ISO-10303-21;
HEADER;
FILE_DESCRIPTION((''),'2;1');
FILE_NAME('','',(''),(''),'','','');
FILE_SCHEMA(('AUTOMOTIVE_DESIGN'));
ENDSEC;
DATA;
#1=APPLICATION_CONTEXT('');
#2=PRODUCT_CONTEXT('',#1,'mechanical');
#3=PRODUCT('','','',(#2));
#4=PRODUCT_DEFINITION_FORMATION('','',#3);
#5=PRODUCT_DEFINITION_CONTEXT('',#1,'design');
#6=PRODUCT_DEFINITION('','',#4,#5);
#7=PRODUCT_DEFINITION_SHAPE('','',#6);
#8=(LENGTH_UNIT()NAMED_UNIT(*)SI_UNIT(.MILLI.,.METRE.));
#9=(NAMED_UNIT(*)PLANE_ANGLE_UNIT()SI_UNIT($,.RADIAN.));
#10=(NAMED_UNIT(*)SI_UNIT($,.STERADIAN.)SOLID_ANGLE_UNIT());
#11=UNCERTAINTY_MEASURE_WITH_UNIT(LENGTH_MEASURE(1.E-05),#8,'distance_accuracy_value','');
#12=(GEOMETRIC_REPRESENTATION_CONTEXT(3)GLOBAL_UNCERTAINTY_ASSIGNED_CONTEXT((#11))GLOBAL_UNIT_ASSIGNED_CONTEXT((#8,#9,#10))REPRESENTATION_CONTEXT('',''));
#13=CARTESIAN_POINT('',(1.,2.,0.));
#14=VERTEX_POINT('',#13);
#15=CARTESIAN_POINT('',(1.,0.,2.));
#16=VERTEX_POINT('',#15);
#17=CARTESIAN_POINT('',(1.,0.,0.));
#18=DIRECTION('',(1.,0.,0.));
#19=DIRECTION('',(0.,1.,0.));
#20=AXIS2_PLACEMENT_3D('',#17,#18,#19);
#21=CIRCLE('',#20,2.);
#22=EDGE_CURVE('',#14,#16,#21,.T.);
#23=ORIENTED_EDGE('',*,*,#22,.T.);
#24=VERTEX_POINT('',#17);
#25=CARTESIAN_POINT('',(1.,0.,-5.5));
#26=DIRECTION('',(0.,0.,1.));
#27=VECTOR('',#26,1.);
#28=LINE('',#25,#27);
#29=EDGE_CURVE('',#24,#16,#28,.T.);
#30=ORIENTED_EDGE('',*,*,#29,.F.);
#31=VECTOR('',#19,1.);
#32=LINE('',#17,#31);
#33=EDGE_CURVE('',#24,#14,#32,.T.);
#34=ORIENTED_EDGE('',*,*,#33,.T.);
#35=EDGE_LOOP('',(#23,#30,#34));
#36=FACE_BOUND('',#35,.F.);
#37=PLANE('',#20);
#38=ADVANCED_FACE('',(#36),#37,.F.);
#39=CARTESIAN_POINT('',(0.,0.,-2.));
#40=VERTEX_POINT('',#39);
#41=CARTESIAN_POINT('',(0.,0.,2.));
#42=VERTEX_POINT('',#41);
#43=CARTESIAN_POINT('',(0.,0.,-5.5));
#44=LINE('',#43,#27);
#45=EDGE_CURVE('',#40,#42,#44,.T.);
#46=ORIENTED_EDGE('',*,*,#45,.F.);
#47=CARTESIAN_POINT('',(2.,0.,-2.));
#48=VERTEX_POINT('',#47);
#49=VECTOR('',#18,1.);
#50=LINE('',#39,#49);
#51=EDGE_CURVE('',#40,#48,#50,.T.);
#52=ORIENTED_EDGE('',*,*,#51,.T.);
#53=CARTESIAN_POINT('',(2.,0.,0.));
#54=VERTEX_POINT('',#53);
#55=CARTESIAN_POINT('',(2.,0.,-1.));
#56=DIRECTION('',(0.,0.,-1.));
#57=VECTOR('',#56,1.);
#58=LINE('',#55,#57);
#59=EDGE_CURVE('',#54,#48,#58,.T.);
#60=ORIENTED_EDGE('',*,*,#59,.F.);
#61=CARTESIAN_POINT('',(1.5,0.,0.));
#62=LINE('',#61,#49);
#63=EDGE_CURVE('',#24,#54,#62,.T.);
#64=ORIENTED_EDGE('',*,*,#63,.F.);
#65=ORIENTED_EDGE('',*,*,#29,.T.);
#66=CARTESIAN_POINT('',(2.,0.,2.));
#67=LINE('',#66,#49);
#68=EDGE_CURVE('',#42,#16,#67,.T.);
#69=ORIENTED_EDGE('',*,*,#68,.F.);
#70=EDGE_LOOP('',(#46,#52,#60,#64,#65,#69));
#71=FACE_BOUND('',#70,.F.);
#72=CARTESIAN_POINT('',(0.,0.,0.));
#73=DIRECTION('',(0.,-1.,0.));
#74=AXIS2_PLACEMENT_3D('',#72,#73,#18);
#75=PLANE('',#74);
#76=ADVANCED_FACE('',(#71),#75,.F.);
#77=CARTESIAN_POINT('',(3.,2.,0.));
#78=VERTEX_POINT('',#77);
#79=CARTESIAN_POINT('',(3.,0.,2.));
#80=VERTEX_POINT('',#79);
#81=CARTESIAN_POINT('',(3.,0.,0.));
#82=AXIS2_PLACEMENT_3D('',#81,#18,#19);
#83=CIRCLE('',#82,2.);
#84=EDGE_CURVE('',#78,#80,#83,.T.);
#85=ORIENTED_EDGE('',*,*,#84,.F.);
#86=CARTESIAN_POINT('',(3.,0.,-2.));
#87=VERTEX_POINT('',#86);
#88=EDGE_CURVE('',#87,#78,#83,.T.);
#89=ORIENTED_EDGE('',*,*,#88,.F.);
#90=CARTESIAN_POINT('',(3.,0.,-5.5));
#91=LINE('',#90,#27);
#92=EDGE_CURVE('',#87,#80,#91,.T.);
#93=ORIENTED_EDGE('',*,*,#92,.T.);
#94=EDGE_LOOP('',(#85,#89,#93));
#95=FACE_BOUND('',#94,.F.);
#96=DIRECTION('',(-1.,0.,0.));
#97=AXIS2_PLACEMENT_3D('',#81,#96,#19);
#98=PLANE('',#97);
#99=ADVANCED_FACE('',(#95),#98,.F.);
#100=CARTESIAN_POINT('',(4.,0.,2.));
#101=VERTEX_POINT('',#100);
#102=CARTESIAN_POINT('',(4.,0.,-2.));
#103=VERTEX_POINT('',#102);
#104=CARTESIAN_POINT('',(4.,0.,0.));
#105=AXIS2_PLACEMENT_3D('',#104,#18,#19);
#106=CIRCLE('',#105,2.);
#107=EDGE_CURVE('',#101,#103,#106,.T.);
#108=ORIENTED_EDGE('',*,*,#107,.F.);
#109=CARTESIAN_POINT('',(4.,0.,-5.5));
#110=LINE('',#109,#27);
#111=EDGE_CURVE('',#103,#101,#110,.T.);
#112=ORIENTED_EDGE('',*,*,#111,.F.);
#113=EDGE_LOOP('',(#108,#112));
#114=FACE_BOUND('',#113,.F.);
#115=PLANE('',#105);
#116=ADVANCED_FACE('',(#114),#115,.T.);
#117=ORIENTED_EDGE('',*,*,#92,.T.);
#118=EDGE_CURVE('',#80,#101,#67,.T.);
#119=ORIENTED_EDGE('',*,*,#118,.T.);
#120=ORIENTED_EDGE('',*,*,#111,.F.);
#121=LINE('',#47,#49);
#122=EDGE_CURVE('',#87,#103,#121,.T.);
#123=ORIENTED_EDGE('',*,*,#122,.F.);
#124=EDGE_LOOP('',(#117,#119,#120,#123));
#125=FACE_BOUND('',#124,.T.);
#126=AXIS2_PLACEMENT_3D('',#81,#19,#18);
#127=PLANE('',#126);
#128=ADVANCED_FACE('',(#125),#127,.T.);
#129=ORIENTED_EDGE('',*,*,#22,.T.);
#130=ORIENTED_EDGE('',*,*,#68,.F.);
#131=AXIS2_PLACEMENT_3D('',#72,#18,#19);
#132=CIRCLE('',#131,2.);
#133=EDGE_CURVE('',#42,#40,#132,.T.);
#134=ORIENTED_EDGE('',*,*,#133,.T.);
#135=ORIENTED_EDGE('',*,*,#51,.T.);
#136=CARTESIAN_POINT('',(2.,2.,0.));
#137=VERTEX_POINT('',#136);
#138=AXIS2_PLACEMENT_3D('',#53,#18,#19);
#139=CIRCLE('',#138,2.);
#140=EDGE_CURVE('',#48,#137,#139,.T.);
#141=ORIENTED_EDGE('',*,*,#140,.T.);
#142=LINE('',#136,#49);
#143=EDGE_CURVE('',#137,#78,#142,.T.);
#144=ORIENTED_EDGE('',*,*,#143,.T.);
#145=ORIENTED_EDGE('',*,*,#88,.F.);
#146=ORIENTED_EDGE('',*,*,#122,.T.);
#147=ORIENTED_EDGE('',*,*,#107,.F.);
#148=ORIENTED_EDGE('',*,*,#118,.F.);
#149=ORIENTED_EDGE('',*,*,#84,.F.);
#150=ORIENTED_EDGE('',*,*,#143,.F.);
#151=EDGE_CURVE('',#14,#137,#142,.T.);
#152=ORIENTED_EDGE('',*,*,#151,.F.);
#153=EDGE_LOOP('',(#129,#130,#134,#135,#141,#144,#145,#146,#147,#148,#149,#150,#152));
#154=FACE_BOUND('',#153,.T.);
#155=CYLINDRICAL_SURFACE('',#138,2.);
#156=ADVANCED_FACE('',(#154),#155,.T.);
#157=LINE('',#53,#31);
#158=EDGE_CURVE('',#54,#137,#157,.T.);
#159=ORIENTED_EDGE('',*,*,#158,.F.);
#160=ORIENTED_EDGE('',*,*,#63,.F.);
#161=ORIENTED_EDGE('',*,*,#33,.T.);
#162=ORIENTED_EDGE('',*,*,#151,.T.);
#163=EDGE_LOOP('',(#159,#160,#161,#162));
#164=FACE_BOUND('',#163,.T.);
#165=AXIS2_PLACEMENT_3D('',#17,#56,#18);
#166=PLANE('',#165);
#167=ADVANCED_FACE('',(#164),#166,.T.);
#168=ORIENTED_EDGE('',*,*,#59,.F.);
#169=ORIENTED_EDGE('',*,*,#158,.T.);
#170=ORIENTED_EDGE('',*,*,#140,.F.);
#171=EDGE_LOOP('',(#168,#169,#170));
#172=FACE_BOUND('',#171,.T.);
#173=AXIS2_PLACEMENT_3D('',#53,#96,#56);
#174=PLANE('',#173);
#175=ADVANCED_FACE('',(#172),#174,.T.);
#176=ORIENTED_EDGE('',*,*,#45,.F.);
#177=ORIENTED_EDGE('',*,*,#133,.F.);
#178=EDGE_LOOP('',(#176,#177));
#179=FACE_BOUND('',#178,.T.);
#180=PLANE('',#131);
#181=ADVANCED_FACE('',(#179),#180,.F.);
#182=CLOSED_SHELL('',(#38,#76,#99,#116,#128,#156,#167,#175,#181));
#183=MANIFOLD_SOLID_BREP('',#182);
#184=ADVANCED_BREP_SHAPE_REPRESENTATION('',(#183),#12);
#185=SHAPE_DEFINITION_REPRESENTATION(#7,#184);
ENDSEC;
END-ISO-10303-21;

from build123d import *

# Parameters (mm, degrees)
SKETCH5_W          = 4
SKETCH5_H          = 2
SKETCH6_W          = 1
SKETCH6_H          = 2
CUT_EXTRUDE5_DEPTH = 5.5
SKETCH7_W          = 1
SKETCH7_H          = 2
CUT_EXTRUDE6_DEPTH = 3


with BuildPart() as part:
    # Sketch5 → Revolve-Thin2 (revolve)
    with BuildSketch(Plane.XY):
        with Locations((2, 1)):
            Rectangle(SKETCH5_W, SKETCH5_H)
    revolve(axis=Axis((0, 0, 0), (1, 0, 0)))

    # Sketch6 → Cut-Extrude5 (cut, symmetric)
    with BuildSketch(Plane.XY):
        with Locations((3.5, 1)):
            Rectangle(SKETCH6_W, SKETCH6_H)
        with Locations((0.5, 1)):
            Rectangle(SKETCH6_W, SKETCH6_H)
    extrude(amount=CUT_EXTRUDE5_DEPTH, both=True, mode=Mode.SUBTRACT)

    # Sketch7 → Cut-Extrude6 (cut)
    with BuildSketch(Plane(origin=(0, 0, 0), x_dir=(1, 0, 0), z_dir=(0, 1, 0))):
        with Locations((1.5, 1)):
            Rectangle(SKETCH7_W, SKETCH7_H)
    extrude(amount=CUT_EXTRUDE6_DEPTH, mode=Mode.SUBTRACT)


solid = part.part
